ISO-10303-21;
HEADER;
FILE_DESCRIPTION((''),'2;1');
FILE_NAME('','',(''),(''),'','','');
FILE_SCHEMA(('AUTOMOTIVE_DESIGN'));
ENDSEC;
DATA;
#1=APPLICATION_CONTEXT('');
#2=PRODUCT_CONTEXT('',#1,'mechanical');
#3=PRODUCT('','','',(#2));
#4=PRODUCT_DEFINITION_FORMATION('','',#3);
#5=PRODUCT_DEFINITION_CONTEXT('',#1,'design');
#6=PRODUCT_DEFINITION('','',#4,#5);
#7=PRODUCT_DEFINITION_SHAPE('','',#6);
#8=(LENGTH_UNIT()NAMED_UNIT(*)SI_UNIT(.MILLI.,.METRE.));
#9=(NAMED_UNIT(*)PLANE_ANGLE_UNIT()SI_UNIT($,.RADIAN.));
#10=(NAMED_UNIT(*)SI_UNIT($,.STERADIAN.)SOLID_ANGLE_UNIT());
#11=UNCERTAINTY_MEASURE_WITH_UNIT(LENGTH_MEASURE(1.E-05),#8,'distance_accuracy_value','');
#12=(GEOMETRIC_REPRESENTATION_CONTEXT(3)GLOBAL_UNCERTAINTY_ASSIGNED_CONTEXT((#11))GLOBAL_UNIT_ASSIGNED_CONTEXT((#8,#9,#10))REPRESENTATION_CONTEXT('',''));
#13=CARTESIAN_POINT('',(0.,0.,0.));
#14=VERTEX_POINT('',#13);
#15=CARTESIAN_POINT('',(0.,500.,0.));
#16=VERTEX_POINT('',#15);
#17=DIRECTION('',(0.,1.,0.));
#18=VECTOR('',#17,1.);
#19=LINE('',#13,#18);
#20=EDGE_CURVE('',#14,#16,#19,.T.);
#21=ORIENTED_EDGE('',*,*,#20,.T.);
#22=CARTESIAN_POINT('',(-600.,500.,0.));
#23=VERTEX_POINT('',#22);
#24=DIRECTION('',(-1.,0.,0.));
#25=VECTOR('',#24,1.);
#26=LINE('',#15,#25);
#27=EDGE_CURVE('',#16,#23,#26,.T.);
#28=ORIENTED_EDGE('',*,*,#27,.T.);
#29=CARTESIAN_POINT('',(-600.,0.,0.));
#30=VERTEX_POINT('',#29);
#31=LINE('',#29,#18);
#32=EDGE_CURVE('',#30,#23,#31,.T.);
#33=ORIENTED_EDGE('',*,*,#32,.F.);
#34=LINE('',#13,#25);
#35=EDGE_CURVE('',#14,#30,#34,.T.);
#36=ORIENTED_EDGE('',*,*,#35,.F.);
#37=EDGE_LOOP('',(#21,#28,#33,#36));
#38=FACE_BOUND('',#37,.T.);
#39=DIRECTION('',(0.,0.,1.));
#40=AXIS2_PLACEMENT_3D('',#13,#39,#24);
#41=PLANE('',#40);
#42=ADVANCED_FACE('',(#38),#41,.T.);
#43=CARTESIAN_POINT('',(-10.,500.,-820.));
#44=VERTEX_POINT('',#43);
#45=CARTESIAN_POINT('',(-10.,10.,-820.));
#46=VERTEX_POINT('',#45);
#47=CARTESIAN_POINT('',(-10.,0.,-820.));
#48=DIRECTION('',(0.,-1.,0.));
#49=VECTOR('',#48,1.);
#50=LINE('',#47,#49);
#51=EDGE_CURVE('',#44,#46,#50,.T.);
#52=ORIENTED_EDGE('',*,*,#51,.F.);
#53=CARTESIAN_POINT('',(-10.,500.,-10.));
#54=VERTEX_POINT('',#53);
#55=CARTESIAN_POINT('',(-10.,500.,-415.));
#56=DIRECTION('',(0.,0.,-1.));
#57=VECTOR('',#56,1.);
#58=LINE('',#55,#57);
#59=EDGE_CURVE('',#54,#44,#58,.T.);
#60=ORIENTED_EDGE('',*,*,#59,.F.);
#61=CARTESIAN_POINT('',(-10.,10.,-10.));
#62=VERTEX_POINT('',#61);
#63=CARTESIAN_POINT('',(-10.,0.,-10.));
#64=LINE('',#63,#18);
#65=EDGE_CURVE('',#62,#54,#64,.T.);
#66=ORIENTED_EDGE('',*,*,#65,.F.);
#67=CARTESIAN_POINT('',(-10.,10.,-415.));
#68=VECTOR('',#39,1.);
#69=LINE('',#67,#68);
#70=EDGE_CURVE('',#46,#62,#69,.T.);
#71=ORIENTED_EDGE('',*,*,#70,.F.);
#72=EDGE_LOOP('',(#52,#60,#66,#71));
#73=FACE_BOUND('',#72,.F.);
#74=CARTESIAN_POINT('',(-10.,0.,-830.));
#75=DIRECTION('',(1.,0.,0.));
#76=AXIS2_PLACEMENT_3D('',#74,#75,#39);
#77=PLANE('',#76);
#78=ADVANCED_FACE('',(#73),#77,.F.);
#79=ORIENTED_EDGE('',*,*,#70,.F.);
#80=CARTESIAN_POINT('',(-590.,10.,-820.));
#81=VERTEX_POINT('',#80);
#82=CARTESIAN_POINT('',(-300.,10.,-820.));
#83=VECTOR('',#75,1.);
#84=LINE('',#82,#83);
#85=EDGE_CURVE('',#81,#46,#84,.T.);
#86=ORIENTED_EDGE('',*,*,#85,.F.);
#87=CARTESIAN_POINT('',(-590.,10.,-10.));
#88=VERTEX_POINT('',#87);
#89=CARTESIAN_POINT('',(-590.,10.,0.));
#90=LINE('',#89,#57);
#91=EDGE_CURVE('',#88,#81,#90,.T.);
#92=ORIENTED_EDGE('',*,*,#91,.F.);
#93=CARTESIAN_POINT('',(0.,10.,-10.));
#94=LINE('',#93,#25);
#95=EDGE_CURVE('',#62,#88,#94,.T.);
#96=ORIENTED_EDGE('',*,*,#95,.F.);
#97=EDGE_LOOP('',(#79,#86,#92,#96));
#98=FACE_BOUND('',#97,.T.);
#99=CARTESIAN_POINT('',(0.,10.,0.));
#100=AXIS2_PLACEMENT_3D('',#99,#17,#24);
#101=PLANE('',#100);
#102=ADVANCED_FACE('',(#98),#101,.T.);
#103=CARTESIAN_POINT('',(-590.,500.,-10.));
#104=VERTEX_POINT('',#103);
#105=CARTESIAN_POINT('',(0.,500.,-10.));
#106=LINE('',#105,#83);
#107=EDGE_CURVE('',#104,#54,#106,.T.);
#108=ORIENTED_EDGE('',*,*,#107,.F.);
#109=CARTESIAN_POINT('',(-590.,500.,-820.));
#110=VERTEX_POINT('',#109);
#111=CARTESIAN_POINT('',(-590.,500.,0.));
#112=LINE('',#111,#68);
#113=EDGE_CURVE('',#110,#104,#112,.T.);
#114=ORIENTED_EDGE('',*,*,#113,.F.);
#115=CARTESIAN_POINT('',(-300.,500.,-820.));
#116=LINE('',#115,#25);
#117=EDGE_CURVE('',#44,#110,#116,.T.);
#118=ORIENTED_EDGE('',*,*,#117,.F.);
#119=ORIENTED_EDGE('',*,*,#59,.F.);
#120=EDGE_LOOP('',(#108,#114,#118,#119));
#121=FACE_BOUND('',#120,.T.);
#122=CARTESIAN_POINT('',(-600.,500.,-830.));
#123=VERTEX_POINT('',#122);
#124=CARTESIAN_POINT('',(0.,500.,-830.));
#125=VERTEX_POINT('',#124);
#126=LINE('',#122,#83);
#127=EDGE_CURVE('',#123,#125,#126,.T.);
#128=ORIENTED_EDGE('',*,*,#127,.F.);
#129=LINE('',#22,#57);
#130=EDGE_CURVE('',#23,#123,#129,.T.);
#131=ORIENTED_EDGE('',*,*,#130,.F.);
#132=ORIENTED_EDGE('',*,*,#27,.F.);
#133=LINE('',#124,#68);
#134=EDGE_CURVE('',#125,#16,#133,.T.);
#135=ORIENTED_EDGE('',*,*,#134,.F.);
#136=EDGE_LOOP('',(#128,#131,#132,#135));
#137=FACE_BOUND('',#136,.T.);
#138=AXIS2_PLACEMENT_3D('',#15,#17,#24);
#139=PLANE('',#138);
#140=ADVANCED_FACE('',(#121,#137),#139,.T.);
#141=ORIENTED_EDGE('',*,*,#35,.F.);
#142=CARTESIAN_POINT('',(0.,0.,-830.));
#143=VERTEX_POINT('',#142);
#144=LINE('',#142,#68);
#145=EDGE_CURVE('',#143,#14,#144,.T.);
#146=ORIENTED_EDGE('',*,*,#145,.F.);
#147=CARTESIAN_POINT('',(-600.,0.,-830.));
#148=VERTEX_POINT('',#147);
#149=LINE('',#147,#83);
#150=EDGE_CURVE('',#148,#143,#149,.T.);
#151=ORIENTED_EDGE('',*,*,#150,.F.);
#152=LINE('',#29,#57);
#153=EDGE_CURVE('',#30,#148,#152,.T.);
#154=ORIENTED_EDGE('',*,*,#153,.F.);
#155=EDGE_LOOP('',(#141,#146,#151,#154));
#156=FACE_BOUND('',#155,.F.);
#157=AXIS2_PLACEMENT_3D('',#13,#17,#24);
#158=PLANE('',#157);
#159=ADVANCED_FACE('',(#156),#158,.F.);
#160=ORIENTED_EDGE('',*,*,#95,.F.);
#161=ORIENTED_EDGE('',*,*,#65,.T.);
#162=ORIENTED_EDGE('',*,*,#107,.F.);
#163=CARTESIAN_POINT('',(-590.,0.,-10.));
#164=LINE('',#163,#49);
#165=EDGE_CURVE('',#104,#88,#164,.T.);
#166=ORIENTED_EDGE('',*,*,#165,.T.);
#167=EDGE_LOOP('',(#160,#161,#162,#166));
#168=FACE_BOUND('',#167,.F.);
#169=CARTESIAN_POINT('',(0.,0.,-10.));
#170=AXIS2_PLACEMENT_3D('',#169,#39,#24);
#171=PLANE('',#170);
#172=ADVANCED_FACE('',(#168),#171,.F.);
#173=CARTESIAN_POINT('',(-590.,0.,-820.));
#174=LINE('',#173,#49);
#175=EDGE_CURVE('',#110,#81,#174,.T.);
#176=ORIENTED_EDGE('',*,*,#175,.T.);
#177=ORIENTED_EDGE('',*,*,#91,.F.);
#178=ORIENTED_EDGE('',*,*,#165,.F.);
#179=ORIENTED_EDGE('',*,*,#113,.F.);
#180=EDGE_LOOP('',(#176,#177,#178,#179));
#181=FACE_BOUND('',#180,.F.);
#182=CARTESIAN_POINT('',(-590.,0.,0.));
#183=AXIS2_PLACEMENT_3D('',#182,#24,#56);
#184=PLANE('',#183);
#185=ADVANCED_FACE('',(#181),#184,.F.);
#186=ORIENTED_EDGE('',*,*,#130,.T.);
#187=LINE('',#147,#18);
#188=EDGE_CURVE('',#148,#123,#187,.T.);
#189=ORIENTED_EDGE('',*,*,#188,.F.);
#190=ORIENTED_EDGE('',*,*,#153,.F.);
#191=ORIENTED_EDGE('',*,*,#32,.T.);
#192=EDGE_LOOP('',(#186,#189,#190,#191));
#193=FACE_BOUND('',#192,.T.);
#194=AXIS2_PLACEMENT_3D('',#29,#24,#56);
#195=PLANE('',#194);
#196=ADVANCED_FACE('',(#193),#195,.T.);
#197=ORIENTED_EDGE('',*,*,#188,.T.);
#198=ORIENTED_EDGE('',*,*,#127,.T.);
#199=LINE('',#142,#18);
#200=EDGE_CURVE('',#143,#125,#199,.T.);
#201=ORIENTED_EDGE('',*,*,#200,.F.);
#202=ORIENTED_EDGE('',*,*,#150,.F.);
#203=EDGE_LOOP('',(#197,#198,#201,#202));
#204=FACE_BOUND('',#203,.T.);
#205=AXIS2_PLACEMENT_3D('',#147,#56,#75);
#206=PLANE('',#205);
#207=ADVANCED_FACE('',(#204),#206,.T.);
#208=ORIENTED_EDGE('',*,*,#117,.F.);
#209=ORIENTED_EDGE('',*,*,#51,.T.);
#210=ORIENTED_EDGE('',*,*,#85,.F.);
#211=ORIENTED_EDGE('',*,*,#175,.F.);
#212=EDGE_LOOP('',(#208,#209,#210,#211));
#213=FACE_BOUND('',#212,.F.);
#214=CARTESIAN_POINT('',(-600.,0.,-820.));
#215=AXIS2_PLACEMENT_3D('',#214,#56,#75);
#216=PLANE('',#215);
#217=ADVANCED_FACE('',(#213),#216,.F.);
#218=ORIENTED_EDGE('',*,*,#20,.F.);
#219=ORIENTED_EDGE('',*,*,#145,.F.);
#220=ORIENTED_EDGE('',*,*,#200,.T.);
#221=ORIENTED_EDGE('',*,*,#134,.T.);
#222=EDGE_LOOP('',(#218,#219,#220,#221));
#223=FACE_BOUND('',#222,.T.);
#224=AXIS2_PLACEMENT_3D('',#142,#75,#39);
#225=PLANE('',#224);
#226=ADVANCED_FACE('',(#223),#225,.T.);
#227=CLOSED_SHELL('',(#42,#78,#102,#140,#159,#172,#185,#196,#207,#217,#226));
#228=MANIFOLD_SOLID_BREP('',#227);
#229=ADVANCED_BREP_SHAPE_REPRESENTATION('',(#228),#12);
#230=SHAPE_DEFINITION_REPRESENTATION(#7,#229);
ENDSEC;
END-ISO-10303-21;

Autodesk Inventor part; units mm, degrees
ref_plane "YZ Plane" through (0, 0, 0) normal (1, 0, 0) x (0, 1, 0)
ref_plane "XZ Plane" through (0, 0, 0) normal (0, 1, 0) x (-1, 0, 0)
ref_plane "XY Plane" through (0, 0, 0) normal (0, 0, 1) x (1, 0, 0)
sketch "Sketch1" plane through (0, 0, 0) normal (0, 1, 0) x (-1, 0, 0)
  line L0 (0, 0) -> (600, 0)
  line L1 (600, 0) -> (600, -830)
  line L2 (600, -830) -> (0, -830)
  line L3 (0, -830) -> (0, 0)
  dimension "d0" = 600
  dimension "d1" = 830
extrude "Extrusion1" add sketch "Sketch1" along normal blind 500
shell "Shell1" thickness 10 removed faces 1 at (-200, 500, -276.6667)
equation "\"BendRadius\" = Thickness"
equation "\"BendReliefWidth\" = Thickness"
equation "\"BendReliefDepth\" = 0.5 * Thickness"
equation "\"CornerReliefSize\" = 4 * Thickness"
equation "\"MinimumRemnant\" = 2 * Thickness"
equation "\"TransitionRadius\" = BendRadius"
equation "\"JacobiRadiusSize\" = BendRadius"
equation "\"GapSize\" = Thickness"
equation "\"Thickness\" = 0.5"
properties part number "Paste Container"
